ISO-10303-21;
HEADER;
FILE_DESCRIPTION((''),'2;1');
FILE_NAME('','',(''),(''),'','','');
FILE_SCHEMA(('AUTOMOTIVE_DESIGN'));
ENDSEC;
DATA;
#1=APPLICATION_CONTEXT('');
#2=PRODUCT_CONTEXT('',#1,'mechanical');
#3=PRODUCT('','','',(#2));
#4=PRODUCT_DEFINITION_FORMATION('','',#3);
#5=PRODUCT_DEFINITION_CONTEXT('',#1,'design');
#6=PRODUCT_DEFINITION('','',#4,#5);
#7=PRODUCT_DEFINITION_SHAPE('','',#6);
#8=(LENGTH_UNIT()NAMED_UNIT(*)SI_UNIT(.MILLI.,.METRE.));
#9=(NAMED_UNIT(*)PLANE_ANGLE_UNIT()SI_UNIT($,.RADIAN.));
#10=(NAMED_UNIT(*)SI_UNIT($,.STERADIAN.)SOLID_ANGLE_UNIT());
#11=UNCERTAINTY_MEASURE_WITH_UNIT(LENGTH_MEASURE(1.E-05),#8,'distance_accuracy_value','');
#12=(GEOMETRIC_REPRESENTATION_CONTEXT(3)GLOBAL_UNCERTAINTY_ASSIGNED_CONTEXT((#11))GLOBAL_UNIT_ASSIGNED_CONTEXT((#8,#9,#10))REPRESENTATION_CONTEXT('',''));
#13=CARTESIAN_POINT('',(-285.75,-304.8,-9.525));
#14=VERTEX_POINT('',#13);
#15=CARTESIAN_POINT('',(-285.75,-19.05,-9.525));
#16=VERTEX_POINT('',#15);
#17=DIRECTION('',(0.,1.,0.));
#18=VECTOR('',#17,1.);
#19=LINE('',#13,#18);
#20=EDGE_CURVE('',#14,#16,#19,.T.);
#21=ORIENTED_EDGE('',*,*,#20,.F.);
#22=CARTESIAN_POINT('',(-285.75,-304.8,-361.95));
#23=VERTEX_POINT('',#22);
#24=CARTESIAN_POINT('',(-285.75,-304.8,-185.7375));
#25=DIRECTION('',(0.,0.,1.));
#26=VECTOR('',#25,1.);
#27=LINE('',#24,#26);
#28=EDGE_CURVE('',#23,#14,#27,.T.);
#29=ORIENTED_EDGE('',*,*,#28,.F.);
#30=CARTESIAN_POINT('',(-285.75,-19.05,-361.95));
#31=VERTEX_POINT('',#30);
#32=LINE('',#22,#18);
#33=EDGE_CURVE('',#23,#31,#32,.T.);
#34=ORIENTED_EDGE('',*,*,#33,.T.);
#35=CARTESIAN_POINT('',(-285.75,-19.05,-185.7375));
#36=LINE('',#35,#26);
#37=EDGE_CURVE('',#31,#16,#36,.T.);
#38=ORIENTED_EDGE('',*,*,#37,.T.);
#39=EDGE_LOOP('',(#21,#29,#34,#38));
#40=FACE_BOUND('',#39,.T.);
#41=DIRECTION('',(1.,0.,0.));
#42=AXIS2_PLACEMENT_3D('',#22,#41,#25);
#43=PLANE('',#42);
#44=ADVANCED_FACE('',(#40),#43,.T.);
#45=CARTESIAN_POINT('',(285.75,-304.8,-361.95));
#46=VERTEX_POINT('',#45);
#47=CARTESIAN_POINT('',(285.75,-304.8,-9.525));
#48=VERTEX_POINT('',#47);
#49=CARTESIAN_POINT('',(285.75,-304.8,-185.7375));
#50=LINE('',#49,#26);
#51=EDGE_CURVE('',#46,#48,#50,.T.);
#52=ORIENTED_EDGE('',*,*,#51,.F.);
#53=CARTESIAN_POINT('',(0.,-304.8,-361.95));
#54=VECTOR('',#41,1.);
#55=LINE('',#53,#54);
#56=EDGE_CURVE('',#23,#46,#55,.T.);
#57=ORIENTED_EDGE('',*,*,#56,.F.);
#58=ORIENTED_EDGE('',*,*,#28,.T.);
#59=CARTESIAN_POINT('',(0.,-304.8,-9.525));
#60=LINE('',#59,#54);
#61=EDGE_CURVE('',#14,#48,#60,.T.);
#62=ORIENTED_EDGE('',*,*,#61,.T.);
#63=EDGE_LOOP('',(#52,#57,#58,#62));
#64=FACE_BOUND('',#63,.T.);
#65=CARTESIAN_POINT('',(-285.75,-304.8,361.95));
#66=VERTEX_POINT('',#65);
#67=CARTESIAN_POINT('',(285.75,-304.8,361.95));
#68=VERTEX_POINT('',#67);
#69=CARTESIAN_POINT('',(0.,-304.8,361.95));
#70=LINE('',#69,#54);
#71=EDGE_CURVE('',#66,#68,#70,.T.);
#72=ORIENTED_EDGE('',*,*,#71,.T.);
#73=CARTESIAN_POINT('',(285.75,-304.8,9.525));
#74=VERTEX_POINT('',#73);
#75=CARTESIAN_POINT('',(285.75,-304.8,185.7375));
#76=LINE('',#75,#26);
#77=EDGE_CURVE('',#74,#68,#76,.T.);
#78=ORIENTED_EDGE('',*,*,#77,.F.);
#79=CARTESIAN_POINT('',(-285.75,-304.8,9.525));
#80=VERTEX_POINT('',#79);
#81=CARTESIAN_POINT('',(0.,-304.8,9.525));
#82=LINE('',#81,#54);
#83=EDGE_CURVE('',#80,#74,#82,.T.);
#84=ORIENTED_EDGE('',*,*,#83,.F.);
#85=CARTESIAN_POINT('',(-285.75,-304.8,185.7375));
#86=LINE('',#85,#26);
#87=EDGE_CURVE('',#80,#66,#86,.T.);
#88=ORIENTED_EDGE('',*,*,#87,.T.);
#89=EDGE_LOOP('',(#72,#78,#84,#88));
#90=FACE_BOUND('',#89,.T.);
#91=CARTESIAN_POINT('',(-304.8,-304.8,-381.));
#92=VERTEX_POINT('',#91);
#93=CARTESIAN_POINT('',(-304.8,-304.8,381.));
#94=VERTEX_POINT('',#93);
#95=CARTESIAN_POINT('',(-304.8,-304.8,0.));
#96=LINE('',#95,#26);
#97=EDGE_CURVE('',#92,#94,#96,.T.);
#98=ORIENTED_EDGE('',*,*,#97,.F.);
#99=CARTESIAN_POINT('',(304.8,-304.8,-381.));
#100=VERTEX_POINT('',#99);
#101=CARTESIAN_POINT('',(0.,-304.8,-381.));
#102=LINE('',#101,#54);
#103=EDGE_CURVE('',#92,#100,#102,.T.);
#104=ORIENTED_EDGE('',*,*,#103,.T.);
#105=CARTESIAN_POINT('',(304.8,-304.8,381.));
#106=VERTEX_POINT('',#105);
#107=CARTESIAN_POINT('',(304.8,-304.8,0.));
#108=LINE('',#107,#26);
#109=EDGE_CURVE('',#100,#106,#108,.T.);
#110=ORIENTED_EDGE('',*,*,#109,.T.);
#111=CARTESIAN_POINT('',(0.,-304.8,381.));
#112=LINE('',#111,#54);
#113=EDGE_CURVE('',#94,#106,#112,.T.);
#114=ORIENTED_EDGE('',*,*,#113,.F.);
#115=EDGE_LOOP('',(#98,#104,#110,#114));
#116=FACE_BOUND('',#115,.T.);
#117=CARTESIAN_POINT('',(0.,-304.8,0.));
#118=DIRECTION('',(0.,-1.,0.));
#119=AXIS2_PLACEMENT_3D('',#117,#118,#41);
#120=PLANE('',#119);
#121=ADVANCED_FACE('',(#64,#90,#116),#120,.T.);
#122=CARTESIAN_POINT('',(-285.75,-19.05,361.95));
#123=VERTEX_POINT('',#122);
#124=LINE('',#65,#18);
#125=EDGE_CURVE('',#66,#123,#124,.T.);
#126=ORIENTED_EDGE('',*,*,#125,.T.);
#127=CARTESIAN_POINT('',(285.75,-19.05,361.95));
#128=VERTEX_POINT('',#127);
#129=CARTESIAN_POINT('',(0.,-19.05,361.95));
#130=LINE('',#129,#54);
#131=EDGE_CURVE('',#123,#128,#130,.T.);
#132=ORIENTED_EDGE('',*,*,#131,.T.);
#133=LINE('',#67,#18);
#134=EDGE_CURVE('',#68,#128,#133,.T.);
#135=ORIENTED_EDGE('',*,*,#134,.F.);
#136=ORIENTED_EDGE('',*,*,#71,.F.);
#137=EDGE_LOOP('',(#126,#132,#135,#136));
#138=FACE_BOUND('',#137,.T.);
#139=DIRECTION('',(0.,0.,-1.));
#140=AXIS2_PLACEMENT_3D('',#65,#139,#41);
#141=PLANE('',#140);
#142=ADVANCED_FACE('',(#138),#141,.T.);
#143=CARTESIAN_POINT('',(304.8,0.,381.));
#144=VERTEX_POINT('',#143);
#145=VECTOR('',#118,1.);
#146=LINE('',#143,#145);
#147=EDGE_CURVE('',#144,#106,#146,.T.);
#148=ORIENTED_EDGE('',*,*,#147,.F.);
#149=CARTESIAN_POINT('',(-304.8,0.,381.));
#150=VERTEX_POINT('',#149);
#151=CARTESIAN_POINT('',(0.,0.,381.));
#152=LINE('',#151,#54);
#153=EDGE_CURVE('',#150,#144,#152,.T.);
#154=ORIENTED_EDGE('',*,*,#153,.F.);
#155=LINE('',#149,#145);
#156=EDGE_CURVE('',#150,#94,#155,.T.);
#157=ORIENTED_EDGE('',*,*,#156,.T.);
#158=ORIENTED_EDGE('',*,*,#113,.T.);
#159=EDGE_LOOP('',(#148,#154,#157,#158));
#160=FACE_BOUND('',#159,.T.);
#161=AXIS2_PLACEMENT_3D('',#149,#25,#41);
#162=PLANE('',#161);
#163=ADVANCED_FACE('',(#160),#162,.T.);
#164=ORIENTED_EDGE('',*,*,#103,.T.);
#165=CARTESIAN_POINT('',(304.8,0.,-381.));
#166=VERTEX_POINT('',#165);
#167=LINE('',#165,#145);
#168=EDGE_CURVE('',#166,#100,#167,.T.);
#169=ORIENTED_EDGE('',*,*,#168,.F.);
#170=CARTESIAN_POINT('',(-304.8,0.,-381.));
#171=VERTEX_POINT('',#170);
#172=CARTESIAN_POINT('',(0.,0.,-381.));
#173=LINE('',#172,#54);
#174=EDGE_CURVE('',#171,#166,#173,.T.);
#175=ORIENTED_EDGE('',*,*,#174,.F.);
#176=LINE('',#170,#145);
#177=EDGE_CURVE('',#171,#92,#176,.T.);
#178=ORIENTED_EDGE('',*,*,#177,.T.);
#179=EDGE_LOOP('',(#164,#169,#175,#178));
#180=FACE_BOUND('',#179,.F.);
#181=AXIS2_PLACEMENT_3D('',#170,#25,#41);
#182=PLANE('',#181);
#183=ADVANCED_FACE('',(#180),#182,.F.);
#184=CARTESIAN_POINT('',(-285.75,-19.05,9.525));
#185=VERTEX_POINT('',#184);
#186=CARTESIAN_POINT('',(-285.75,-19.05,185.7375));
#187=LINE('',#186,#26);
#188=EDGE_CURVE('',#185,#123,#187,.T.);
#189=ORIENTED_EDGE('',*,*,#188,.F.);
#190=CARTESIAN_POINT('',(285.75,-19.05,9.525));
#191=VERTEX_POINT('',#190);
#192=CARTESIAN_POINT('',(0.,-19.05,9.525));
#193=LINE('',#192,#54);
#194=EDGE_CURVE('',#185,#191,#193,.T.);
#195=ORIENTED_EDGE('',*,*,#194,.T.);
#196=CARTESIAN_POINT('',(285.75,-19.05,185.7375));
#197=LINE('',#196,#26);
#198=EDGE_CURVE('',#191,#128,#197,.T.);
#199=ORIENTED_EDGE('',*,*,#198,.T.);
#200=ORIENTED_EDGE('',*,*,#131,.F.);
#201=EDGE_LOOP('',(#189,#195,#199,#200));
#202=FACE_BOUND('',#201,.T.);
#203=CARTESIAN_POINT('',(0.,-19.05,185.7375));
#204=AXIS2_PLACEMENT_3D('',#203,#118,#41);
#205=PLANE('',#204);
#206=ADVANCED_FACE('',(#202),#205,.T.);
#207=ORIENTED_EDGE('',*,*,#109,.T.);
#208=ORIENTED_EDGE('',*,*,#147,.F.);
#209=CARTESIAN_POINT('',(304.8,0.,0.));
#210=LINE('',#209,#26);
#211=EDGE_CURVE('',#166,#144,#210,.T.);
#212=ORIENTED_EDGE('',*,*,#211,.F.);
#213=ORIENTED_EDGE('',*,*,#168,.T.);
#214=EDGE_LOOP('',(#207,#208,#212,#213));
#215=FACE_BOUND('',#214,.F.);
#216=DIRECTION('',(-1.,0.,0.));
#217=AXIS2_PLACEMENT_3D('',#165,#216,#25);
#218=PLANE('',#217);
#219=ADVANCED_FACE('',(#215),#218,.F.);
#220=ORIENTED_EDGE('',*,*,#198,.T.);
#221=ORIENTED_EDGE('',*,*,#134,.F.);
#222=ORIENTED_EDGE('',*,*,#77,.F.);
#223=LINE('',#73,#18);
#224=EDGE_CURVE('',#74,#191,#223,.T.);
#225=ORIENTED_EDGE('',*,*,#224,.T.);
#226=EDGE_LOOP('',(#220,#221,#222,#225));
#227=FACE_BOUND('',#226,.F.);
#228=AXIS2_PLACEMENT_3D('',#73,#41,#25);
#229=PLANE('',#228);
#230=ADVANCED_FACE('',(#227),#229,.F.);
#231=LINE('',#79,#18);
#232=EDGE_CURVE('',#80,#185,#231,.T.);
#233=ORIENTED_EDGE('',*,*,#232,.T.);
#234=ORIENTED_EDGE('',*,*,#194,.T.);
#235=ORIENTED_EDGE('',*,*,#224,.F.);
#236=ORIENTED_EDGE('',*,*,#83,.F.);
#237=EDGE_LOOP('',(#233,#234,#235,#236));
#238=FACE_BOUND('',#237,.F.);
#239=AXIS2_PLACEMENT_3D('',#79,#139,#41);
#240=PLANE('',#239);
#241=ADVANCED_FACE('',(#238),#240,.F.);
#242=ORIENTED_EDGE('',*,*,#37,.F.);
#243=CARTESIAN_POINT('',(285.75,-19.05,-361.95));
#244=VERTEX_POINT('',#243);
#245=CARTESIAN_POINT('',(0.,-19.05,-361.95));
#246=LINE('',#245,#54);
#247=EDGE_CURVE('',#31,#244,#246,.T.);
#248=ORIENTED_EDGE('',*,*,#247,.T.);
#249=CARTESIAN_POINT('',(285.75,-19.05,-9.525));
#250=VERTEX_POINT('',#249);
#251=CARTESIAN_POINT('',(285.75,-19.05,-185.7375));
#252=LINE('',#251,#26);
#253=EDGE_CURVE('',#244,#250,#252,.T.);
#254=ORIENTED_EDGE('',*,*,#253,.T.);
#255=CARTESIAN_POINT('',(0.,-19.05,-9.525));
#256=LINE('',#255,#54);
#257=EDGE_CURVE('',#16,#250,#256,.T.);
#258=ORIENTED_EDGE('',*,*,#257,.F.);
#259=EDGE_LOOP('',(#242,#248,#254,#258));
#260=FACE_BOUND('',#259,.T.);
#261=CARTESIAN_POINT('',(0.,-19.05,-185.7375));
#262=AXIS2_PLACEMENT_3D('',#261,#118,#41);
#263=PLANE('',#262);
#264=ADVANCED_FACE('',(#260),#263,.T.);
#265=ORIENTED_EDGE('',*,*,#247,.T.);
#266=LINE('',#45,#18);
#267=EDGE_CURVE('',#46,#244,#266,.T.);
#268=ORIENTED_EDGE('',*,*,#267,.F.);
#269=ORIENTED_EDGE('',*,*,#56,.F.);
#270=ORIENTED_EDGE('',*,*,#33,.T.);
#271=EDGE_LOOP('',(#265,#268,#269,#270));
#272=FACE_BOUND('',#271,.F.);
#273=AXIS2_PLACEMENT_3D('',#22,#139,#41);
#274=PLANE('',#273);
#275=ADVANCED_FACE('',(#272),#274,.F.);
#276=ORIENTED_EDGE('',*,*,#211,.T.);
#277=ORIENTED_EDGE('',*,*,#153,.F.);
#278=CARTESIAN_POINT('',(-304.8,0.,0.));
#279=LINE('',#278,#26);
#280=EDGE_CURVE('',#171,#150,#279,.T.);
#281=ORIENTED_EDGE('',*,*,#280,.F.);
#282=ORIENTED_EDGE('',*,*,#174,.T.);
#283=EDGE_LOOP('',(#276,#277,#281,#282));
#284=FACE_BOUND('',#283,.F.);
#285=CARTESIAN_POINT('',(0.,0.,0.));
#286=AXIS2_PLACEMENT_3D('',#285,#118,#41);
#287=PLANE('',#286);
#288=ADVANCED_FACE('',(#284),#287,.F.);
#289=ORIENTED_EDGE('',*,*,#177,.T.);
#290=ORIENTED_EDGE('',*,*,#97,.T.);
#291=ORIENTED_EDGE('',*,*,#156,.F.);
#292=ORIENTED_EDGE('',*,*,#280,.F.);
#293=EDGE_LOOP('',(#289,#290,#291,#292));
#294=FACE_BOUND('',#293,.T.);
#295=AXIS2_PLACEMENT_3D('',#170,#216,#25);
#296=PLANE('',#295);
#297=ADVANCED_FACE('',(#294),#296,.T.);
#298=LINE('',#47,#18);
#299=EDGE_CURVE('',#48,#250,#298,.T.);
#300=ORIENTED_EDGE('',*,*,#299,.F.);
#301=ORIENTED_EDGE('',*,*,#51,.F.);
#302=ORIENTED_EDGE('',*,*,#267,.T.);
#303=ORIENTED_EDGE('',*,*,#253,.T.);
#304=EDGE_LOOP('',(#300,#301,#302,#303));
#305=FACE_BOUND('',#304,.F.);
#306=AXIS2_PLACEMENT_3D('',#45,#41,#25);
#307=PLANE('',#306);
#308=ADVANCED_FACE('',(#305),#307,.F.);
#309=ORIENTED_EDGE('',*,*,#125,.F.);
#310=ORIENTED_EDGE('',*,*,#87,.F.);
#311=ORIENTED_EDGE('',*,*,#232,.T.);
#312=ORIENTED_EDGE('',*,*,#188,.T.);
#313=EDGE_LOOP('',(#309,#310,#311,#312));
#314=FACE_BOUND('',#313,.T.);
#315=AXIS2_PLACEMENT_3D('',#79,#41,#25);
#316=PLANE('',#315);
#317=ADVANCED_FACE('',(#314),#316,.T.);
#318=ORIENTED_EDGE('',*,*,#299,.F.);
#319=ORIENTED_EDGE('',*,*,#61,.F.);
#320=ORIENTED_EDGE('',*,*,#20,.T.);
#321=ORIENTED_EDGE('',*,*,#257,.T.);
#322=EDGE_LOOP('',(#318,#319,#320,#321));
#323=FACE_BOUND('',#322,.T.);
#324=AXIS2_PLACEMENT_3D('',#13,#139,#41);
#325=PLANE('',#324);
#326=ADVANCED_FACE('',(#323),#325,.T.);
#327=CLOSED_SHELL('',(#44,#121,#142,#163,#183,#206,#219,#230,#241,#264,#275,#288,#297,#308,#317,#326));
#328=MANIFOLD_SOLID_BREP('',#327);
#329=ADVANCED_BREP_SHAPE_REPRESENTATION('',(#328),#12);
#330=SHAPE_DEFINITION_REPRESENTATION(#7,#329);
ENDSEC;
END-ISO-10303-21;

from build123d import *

# Parameters (mm, degrees)
F0_W     = 609.6
F0_H     = 762
F1_DEPTH = 304.8
F2_W     = 571.5
F2_H     = 352.425
F3_DEPTH = 285.75


with BuildPart() as f1:
    # F0 (on Front) → F1 (new body)
    with BuildSketch(Plane.XZ):
        Rectangle(F0_W, F0_H)
    extrude(amount=F1_DEPTH)

    # F2 (on face) → F3 (cut, through all)
    with BuildSketch(Plane.XZ.offset(304.8)):
        with Locations((0, 185.7375)):
            Rectangle(F2_W, F2_H)
        with Locations((0, -185.7375)):
            Rectangle(F2_W, F2_H)
    extrude(amount=-F3_DEPTH, mode=Mode.SUBTRACT)


solid = f1.part
